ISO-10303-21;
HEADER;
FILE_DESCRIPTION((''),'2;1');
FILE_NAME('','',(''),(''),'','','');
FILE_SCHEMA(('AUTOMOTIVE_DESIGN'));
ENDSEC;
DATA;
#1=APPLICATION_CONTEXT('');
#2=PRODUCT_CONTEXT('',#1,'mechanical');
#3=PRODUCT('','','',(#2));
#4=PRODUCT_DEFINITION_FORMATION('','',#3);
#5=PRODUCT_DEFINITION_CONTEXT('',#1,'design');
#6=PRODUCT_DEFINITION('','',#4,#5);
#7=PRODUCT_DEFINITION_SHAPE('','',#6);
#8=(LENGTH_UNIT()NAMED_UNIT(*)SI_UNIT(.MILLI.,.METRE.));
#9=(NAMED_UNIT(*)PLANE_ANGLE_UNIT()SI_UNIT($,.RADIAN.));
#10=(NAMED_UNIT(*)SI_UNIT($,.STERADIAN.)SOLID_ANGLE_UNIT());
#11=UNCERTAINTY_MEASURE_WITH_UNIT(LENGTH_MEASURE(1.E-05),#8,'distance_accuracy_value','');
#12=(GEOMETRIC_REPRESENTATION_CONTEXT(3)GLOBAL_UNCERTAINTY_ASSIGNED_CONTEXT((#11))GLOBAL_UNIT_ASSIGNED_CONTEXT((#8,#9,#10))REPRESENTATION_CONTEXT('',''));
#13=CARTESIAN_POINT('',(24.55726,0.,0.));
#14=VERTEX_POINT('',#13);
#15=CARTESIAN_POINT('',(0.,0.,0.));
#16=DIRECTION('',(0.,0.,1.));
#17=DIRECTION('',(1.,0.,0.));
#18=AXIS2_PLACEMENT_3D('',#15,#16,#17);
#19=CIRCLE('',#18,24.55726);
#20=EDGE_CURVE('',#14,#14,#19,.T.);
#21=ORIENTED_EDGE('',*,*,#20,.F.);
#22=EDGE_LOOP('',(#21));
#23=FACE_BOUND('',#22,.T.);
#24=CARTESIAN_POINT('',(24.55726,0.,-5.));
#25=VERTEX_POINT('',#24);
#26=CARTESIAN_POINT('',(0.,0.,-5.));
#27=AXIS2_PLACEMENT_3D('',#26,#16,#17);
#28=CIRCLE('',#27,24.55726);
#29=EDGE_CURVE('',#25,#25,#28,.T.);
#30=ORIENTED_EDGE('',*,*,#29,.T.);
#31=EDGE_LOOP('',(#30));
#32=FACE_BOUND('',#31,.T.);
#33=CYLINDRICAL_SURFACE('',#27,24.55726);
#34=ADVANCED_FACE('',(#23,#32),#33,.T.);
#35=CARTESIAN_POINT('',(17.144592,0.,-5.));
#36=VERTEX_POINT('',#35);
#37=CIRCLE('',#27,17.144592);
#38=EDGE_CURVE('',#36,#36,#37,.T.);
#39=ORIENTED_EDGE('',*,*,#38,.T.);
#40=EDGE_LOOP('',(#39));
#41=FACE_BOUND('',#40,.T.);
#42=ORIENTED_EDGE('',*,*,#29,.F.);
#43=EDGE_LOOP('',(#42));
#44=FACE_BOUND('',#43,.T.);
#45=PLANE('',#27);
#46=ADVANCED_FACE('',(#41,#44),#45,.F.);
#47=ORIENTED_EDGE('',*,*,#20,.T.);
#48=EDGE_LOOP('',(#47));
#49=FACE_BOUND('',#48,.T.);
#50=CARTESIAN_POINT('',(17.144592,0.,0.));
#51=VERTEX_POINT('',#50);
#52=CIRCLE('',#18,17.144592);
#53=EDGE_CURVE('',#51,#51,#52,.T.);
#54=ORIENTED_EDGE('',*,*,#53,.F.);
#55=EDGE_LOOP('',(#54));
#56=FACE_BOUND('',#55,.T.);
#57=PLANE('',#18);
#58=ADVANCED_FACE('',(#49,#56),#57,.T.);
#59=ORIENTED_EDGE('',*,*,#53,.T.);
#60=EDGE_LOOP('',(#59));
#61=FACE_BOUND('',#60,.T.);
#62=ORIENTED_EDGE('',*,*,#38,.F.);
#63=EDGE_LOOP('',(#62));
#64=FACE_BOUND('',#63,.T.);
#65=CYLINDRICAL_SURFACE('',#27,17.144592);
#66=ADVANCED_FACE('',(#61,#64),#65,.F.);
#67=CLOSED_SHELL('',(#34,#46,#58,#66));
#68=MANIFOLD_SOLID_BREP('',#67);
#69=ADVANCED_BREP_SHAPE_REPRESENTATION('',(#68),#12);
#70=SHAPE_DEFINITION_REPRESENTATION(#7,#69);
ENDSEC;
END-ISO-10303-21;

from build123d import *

# Parameters (mm, degrees)
SKETCH1_R           = 24.557260308
SKETCH1_R_2         = 17.144592093
BOSS_EXTRUDE1_DEPTH = 5


with BuildPart() as part:
    # Sketch1 → Boss-Extrude1 (new body)
    with BuildSketch(Plane.XY):
        Circle(SKETCH1_R)
        Circle(SKETCH1_R_2, mode=Mode.SUBTRACT)
    extrude(amount=-BOSS_EXTRUDE1_DEPTH)


solid = part.part
